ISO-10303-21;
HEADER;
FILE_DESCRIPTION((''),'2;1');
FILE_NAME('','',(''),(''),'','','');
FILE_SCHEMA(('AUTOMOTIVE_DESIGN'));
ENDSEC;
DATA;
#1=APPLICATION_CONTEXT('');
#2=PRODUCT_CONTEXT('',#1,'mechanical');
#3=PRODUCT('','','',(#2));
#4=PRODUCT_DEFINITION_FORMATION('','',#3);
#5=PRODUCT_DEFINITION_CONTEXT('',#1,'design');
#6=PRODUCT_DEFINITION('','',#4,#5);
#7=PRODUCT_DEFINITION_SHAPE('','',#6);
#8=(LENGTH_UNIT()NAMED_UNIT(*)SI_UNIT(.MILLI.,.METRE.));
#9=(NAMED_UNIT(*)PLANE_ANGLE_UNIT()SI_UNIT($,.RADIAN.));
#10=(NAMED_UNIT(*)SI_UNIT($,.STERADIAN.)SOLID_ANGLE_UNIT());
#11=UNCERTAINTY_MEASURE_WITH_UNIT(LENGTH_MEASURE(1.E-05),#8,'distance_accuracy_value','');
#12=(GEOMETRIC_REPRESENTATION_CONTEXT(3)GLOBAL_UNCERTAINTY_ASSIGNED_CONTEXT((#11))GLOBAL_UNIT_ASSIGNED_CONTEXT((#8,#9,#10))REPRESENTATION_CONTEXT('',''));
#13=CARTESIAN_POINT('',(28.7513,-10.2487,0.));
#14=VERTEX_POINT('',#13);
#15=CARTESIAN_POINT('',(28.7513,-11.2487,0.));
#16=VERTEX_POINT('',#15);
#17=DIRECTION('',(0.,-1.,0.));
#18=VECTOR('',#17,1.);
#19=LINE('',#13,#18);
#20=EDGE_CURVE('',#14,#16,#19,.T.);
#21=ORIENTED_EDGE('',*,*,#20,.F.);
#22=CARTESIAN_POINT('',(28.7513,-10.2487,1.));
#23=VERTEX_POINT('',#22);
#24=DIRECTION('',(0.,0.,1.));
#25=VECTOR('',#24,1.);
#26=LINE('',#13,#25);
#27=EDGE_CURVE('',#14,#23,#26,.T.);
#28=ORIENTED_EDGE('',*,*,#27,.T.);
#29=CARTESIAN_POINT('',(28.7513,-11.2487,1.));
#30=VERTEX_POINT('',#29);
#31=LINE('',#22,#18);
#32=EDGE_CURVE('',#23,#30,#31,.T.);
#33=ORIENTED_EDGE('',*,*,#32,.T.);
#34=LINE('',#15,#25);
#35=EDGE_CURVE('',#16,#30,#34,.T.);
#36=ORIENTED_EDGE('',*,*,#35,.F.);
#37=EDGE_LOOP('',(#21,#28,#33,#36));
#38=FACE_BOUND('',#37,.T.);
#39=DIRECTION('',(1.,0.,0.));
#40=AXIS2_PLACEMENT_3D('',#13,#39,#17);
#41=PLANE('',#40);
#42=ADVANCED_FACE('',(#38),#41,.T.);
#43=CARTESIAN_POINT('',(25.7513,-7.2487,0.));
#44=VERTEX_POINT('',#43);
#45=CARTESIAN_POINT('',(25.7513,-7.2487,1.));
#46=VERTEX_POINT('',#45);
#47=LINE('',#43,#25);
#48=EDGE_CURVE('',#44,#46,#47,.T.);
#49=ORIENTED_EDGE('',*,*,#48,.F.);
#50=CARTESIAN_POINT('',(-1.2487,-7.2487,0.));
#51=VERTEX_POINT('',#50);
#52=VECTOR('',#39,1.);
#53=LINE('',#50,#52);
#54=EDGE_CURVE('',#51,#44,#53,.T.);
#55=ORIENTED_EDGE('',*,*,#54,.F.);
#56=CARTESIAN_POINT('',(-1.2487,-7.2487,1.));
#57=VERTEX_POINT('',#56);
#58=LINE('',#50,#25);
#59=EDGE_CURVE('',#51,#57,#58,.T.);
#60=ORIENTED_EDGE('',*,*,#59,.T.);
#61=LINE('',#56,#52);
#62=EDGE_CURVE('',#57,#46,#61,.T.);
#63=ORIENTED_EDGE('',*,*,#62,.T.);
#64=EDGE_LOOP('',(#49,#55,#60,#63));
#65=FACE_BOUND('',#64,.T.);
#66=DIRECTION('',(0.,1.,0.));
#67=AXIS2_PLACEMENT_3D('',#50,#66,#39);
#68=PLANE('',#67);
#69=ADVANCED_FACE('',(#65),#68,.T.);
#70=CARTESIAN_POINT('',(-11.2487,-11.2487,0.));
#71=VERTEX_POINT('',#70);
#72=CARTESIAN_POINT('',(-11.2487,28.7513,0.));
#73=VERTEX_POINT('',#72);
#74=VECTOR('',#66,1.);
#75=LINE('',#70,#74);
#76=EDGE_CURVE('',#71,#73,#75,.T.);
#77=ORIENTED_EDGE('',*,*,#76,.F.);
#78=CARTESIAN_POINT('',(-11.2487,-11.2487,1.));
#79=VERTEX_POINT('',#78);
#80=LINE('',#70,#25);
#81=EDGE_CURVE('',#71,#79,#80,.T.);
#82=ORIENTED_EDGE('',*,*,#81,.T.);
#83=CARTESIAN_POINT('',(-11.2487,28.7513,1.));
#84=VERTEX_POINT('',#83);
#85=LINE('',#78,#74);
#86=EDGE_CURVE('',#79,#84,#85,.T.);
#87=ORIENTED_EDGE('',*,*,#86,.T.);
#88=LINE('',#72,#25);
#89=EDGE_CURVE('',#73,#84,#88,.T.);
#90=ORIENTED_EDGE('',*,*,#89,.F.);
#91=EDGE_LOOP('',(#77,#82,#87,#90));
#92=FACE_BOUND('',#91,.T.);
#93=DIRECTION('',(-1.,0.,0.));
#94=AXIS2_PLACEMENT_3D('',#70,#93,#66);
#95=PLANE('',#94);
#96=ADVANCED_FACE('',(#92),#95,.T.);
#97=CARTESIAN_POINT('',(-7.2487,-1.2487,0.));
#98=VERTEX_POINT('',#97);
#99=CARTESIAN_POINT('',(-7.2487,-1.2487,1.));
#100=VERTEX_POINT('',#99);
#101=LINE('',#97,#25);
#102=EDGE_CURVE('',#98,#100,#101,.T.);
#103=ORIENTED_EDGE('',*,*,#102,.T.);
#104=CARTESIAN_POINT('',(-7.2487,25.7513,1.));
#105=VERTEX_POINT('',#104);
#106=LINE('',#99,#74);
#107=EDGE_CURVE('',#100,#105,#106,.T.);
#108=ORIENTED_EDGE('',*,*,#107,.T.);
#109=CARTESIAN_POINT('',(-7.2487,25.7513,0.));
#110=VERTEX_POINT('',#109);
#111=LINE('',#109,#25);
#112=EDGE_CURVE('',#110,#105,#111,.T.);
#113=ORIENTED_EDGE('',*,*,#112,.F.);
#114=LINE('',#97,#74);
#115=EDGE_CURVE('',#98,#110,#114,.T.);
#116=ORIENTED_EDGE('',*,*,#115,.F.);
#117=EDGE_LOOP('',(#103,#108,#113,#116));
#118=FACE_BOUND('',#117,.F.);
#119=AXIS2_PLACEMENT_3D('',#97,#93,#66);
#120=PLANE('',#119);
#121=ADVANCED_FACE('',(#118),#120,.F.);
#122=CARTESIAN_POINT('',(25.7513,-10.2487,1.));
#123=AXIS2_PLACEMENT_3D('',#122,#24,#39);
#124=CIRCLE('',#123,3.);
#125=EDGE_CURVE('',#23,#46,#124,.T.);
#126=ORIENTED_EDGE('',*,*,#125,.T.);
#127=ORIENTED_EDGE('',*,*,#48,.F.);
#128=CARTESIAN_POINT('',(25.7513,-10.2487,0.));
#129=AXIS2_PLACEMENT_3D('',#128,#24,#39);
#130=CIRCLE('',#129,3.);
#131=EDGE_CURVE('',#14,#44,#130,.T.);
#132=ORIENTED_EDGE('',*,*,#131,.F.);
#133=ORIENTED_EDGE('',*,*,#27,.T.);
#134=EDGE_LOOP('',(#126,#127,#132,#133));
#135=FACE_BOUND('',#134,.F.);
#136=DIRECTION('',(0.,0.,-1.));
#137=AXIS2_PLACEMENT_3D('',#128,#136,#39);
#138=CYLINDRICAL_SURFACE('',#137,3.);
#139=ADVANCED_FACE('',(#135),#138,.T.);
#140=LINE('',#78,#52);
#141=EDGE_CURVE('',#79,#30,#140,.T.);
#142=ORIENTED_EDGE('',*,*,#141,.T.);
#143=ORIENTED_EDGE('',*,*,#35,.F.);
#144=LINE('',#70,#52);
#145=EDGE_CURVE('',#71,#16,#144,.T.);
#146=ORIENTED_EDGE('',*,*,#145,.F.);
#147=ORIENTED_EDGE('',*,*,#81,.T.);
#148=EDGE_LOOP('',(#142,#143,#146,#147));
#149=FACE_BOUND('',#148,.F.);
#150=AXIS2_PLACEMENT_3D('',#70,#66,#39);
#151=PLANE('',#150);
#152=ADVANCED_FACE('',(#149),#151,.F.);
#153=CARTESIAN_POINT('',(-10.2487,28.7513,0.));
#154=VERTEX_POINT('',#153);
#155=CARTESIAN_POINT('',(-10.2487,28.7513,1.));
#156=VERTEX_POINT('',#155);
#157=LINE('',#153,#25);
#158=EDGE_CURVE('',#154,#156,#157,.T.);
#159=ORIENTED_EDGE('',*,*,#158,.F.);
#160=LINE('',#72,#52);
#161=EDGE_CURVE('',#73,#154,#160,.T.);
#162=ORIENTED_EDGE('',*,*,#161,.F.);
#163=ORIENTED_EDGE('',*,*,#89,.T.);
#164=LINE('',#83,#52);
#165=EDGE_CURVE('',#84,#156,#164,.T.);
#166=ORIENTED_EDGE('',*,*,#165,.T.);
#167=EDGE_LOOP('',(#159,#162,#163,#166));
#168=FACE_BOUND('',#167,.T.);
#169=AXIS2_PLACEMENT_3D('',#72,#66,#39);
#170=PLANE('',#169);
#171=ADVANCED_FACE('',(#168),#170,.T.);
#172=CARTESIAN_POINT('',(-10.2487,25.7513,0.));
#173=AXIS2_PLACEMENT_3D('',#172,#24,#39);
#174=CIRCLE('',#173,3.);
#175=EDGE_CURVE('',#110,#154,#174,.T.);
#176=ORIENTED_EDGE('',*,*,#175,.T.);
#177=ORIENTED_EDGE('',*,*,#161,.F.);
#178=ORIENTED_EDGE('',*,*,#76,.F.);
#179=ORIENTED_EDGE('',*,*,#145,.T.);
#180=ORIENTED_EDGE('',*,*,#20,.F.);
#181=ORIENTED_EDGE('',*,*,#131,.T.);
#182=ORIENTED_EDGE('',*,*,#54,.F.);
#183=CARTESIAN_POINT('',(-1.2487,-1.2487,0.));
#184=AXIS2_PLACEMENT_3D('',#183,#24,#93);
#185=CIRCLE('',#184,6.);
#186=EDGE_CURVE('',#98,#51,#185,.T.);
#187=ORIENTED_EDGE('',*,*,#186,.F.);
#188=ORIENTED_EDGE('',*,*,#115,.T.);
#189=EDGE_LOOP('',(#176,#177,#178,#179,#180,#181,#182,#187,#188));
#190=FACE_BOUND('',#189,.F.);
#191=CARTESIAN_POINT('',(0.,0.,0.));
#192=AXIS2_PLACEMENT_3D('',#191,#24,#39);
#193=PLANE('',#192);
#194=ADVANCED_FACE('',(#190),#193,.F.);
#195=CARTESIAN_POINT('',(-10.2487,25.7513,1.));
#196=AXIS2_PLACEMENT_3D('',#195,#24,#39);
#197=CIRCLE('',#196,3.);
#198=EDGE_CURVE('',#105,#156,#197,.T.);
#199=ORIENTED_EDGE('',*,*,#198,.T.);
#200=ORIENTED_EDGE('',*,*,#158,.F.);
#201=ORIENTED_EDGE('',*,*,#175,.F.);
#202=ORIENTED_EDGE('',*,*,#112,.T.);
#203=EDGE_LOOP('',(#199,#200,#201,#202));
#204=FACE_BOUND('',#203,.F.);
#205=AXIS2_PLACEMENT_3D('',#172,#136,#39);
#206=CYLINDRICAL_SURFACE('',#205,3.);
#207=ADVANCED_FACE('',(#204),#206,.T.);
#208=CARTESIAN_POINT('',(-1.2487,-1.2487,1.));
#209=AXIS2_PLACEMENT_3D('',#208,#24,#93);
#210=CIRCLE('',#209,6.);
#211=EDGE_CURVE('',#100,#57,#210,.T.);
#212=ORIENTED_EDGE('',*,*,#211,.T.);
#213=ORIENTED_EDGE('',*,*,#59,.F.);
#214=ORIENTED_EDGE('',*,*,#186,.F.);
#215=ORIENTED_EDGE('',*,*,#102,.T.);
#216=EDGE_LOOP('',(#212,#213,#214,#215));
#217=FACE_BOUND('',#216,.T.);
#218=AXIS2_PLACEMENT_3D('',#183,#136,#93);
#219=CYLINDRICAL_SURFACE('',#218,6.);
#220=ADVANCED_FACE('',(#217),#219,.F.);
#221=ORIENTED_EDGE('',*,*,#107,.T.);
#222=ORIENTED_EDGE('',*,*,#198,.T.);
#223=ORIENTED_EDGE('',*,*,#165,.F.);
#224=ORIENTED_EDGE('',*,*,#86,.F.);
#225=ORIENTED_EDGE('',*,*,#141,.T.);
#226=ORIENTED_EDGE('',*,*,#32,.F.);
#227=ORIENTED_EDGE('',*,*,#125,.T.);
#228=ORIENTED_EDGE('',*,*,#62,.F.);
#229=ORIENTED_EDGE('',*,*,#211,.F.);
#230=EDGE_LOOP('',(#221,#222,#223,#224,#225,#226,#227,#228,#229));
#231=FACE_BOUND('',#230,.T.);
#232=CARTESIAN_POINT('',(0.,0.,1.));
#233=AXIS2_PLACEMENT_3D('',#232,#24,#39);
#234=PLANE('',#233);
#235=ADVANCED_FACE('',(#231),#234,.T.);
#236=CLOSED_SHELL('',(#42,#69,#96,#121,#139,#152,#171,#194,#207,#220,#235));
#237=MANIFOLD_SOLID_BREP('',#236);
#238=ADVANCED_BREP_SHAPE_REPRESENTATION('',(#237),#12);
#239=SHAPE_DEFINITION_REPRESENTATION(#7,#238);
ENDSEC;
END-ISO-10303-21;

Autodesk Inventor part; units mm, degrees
ref_plane "YZ Plane" through (0, 0, 0) normal (1, 0, 0) x (0, 1, 0)
ref_plane "Начальная плоскость" through (0, 0, 0) normal (0, 0, 1) x (1, 0, 0)
ref_plane "Конечная плоскость" through (0, 0, 1) normal (0, 0, 1) x (1, 0, 0)
sketch "Эскиз" plane through (0, 0, 0) normal (0, 0, 1) x (1, 0, 0)
  line L0 (-7.2487, -1.2487) -> (-7.2487, 25.7513)
  line L1 (-11.2487, 28.7513) -> (-10.2487, 28.7513)
  line L2 (-11.2487, -11.2487) -> (-11.2487, 28.7513)
  line L3 (-11.2487, -11.2487) -> (28.7513, -11.2487)
  line L4 (28.7513, -10.2487) -> (28.7513, -11.2487)
  line L5 (-1.2487, -7.2487) -> (25.7513, -7.2487)
  arc A0 (-7.2487, -1.2487) -> (-1.2487, -7.2487) centre (-1.2487, -1.2487) ccw
  arc A1 (-7.2487, 25.7513) -> (-10.2487, 28.7513) centre (-10.2487, 25.7513) ccw
  arc A2 (28.7513, -10.2487) -> (25.7513, -7.2487) centre (25.7513, -10.2487) ccw
  line L6 (28.7513, 0) -> (-11.2487, 0) construction
  line L7 (0, -11.2487) -> (0, 28.7513) construction
  line L8 (0, 0) -> (40, 0) construction
  point P0 (-7.2487, -7.2487)
  point P1 (-7.2487, 28.7513)
  point P2 (28.7513, -7.2487)
  dimension "d17" = 6
  dimension "d19" = 3
  dimension "d26" = 11.2487
  dimension "d27" = 11.2487
  dimension "d28" = 40
  dimension "d29" = 40
  dimension "d30" = 4
  dimension "d31" = 4
  dimension "d32" = 90
extrude "Базовый элемент" add sketch "Эскиз" along normal up to surface (1 mm away) from surface at 0
sketch "Sketch3" plane through (0, 0, 0) normal (0, 0, 1) x (1, 0, 0)
  line L0 (0, 0) -> (10, 0)
ref_plane "Work Plane10" through (0, 0, 0) normal (0, -1, 0) x (1, 0, 0)
sketch "Sketch4" plane through (0, 0, 0) normal (0, -1, 0) x (1, 0, 0)
  line L0 (-2, 0) -> (12, 0)
  line L1 (-2, 1) -> (12, 1)
  dimension "d25" = 1
equation "\"d17\" = R"
equation "\"d19\" = R1"
equation "\"d26\" = ex"
equation "\"d27\" = ey"
equation "\"d28\" = b"
equation "\"d29\" = b"
equation "\"d30\" = ParT"
equation "\"d31\" = ParT"
equation "\"d11\" = G_L"
equation "\"b\" = 40"
equation "\"ParT\" = 4"
equation "\"R\" = 6"
equation "\"G_L\" = d25"
equation "\"R1\" = 3"
equation "\"G_OFFSET_START\" = 0"
equation "\"G_OFFSET_END\" = 0"
equation "\"d21\" = G_OFFSET_END + B_L"
equation "\"ex\" = 11.24871"
equation "\"ey\" = ex"
equation "\"B_L\" = 1"
properties part number "Кутик ДСТУ 2251" material "С245 ДСТУ 8539"
